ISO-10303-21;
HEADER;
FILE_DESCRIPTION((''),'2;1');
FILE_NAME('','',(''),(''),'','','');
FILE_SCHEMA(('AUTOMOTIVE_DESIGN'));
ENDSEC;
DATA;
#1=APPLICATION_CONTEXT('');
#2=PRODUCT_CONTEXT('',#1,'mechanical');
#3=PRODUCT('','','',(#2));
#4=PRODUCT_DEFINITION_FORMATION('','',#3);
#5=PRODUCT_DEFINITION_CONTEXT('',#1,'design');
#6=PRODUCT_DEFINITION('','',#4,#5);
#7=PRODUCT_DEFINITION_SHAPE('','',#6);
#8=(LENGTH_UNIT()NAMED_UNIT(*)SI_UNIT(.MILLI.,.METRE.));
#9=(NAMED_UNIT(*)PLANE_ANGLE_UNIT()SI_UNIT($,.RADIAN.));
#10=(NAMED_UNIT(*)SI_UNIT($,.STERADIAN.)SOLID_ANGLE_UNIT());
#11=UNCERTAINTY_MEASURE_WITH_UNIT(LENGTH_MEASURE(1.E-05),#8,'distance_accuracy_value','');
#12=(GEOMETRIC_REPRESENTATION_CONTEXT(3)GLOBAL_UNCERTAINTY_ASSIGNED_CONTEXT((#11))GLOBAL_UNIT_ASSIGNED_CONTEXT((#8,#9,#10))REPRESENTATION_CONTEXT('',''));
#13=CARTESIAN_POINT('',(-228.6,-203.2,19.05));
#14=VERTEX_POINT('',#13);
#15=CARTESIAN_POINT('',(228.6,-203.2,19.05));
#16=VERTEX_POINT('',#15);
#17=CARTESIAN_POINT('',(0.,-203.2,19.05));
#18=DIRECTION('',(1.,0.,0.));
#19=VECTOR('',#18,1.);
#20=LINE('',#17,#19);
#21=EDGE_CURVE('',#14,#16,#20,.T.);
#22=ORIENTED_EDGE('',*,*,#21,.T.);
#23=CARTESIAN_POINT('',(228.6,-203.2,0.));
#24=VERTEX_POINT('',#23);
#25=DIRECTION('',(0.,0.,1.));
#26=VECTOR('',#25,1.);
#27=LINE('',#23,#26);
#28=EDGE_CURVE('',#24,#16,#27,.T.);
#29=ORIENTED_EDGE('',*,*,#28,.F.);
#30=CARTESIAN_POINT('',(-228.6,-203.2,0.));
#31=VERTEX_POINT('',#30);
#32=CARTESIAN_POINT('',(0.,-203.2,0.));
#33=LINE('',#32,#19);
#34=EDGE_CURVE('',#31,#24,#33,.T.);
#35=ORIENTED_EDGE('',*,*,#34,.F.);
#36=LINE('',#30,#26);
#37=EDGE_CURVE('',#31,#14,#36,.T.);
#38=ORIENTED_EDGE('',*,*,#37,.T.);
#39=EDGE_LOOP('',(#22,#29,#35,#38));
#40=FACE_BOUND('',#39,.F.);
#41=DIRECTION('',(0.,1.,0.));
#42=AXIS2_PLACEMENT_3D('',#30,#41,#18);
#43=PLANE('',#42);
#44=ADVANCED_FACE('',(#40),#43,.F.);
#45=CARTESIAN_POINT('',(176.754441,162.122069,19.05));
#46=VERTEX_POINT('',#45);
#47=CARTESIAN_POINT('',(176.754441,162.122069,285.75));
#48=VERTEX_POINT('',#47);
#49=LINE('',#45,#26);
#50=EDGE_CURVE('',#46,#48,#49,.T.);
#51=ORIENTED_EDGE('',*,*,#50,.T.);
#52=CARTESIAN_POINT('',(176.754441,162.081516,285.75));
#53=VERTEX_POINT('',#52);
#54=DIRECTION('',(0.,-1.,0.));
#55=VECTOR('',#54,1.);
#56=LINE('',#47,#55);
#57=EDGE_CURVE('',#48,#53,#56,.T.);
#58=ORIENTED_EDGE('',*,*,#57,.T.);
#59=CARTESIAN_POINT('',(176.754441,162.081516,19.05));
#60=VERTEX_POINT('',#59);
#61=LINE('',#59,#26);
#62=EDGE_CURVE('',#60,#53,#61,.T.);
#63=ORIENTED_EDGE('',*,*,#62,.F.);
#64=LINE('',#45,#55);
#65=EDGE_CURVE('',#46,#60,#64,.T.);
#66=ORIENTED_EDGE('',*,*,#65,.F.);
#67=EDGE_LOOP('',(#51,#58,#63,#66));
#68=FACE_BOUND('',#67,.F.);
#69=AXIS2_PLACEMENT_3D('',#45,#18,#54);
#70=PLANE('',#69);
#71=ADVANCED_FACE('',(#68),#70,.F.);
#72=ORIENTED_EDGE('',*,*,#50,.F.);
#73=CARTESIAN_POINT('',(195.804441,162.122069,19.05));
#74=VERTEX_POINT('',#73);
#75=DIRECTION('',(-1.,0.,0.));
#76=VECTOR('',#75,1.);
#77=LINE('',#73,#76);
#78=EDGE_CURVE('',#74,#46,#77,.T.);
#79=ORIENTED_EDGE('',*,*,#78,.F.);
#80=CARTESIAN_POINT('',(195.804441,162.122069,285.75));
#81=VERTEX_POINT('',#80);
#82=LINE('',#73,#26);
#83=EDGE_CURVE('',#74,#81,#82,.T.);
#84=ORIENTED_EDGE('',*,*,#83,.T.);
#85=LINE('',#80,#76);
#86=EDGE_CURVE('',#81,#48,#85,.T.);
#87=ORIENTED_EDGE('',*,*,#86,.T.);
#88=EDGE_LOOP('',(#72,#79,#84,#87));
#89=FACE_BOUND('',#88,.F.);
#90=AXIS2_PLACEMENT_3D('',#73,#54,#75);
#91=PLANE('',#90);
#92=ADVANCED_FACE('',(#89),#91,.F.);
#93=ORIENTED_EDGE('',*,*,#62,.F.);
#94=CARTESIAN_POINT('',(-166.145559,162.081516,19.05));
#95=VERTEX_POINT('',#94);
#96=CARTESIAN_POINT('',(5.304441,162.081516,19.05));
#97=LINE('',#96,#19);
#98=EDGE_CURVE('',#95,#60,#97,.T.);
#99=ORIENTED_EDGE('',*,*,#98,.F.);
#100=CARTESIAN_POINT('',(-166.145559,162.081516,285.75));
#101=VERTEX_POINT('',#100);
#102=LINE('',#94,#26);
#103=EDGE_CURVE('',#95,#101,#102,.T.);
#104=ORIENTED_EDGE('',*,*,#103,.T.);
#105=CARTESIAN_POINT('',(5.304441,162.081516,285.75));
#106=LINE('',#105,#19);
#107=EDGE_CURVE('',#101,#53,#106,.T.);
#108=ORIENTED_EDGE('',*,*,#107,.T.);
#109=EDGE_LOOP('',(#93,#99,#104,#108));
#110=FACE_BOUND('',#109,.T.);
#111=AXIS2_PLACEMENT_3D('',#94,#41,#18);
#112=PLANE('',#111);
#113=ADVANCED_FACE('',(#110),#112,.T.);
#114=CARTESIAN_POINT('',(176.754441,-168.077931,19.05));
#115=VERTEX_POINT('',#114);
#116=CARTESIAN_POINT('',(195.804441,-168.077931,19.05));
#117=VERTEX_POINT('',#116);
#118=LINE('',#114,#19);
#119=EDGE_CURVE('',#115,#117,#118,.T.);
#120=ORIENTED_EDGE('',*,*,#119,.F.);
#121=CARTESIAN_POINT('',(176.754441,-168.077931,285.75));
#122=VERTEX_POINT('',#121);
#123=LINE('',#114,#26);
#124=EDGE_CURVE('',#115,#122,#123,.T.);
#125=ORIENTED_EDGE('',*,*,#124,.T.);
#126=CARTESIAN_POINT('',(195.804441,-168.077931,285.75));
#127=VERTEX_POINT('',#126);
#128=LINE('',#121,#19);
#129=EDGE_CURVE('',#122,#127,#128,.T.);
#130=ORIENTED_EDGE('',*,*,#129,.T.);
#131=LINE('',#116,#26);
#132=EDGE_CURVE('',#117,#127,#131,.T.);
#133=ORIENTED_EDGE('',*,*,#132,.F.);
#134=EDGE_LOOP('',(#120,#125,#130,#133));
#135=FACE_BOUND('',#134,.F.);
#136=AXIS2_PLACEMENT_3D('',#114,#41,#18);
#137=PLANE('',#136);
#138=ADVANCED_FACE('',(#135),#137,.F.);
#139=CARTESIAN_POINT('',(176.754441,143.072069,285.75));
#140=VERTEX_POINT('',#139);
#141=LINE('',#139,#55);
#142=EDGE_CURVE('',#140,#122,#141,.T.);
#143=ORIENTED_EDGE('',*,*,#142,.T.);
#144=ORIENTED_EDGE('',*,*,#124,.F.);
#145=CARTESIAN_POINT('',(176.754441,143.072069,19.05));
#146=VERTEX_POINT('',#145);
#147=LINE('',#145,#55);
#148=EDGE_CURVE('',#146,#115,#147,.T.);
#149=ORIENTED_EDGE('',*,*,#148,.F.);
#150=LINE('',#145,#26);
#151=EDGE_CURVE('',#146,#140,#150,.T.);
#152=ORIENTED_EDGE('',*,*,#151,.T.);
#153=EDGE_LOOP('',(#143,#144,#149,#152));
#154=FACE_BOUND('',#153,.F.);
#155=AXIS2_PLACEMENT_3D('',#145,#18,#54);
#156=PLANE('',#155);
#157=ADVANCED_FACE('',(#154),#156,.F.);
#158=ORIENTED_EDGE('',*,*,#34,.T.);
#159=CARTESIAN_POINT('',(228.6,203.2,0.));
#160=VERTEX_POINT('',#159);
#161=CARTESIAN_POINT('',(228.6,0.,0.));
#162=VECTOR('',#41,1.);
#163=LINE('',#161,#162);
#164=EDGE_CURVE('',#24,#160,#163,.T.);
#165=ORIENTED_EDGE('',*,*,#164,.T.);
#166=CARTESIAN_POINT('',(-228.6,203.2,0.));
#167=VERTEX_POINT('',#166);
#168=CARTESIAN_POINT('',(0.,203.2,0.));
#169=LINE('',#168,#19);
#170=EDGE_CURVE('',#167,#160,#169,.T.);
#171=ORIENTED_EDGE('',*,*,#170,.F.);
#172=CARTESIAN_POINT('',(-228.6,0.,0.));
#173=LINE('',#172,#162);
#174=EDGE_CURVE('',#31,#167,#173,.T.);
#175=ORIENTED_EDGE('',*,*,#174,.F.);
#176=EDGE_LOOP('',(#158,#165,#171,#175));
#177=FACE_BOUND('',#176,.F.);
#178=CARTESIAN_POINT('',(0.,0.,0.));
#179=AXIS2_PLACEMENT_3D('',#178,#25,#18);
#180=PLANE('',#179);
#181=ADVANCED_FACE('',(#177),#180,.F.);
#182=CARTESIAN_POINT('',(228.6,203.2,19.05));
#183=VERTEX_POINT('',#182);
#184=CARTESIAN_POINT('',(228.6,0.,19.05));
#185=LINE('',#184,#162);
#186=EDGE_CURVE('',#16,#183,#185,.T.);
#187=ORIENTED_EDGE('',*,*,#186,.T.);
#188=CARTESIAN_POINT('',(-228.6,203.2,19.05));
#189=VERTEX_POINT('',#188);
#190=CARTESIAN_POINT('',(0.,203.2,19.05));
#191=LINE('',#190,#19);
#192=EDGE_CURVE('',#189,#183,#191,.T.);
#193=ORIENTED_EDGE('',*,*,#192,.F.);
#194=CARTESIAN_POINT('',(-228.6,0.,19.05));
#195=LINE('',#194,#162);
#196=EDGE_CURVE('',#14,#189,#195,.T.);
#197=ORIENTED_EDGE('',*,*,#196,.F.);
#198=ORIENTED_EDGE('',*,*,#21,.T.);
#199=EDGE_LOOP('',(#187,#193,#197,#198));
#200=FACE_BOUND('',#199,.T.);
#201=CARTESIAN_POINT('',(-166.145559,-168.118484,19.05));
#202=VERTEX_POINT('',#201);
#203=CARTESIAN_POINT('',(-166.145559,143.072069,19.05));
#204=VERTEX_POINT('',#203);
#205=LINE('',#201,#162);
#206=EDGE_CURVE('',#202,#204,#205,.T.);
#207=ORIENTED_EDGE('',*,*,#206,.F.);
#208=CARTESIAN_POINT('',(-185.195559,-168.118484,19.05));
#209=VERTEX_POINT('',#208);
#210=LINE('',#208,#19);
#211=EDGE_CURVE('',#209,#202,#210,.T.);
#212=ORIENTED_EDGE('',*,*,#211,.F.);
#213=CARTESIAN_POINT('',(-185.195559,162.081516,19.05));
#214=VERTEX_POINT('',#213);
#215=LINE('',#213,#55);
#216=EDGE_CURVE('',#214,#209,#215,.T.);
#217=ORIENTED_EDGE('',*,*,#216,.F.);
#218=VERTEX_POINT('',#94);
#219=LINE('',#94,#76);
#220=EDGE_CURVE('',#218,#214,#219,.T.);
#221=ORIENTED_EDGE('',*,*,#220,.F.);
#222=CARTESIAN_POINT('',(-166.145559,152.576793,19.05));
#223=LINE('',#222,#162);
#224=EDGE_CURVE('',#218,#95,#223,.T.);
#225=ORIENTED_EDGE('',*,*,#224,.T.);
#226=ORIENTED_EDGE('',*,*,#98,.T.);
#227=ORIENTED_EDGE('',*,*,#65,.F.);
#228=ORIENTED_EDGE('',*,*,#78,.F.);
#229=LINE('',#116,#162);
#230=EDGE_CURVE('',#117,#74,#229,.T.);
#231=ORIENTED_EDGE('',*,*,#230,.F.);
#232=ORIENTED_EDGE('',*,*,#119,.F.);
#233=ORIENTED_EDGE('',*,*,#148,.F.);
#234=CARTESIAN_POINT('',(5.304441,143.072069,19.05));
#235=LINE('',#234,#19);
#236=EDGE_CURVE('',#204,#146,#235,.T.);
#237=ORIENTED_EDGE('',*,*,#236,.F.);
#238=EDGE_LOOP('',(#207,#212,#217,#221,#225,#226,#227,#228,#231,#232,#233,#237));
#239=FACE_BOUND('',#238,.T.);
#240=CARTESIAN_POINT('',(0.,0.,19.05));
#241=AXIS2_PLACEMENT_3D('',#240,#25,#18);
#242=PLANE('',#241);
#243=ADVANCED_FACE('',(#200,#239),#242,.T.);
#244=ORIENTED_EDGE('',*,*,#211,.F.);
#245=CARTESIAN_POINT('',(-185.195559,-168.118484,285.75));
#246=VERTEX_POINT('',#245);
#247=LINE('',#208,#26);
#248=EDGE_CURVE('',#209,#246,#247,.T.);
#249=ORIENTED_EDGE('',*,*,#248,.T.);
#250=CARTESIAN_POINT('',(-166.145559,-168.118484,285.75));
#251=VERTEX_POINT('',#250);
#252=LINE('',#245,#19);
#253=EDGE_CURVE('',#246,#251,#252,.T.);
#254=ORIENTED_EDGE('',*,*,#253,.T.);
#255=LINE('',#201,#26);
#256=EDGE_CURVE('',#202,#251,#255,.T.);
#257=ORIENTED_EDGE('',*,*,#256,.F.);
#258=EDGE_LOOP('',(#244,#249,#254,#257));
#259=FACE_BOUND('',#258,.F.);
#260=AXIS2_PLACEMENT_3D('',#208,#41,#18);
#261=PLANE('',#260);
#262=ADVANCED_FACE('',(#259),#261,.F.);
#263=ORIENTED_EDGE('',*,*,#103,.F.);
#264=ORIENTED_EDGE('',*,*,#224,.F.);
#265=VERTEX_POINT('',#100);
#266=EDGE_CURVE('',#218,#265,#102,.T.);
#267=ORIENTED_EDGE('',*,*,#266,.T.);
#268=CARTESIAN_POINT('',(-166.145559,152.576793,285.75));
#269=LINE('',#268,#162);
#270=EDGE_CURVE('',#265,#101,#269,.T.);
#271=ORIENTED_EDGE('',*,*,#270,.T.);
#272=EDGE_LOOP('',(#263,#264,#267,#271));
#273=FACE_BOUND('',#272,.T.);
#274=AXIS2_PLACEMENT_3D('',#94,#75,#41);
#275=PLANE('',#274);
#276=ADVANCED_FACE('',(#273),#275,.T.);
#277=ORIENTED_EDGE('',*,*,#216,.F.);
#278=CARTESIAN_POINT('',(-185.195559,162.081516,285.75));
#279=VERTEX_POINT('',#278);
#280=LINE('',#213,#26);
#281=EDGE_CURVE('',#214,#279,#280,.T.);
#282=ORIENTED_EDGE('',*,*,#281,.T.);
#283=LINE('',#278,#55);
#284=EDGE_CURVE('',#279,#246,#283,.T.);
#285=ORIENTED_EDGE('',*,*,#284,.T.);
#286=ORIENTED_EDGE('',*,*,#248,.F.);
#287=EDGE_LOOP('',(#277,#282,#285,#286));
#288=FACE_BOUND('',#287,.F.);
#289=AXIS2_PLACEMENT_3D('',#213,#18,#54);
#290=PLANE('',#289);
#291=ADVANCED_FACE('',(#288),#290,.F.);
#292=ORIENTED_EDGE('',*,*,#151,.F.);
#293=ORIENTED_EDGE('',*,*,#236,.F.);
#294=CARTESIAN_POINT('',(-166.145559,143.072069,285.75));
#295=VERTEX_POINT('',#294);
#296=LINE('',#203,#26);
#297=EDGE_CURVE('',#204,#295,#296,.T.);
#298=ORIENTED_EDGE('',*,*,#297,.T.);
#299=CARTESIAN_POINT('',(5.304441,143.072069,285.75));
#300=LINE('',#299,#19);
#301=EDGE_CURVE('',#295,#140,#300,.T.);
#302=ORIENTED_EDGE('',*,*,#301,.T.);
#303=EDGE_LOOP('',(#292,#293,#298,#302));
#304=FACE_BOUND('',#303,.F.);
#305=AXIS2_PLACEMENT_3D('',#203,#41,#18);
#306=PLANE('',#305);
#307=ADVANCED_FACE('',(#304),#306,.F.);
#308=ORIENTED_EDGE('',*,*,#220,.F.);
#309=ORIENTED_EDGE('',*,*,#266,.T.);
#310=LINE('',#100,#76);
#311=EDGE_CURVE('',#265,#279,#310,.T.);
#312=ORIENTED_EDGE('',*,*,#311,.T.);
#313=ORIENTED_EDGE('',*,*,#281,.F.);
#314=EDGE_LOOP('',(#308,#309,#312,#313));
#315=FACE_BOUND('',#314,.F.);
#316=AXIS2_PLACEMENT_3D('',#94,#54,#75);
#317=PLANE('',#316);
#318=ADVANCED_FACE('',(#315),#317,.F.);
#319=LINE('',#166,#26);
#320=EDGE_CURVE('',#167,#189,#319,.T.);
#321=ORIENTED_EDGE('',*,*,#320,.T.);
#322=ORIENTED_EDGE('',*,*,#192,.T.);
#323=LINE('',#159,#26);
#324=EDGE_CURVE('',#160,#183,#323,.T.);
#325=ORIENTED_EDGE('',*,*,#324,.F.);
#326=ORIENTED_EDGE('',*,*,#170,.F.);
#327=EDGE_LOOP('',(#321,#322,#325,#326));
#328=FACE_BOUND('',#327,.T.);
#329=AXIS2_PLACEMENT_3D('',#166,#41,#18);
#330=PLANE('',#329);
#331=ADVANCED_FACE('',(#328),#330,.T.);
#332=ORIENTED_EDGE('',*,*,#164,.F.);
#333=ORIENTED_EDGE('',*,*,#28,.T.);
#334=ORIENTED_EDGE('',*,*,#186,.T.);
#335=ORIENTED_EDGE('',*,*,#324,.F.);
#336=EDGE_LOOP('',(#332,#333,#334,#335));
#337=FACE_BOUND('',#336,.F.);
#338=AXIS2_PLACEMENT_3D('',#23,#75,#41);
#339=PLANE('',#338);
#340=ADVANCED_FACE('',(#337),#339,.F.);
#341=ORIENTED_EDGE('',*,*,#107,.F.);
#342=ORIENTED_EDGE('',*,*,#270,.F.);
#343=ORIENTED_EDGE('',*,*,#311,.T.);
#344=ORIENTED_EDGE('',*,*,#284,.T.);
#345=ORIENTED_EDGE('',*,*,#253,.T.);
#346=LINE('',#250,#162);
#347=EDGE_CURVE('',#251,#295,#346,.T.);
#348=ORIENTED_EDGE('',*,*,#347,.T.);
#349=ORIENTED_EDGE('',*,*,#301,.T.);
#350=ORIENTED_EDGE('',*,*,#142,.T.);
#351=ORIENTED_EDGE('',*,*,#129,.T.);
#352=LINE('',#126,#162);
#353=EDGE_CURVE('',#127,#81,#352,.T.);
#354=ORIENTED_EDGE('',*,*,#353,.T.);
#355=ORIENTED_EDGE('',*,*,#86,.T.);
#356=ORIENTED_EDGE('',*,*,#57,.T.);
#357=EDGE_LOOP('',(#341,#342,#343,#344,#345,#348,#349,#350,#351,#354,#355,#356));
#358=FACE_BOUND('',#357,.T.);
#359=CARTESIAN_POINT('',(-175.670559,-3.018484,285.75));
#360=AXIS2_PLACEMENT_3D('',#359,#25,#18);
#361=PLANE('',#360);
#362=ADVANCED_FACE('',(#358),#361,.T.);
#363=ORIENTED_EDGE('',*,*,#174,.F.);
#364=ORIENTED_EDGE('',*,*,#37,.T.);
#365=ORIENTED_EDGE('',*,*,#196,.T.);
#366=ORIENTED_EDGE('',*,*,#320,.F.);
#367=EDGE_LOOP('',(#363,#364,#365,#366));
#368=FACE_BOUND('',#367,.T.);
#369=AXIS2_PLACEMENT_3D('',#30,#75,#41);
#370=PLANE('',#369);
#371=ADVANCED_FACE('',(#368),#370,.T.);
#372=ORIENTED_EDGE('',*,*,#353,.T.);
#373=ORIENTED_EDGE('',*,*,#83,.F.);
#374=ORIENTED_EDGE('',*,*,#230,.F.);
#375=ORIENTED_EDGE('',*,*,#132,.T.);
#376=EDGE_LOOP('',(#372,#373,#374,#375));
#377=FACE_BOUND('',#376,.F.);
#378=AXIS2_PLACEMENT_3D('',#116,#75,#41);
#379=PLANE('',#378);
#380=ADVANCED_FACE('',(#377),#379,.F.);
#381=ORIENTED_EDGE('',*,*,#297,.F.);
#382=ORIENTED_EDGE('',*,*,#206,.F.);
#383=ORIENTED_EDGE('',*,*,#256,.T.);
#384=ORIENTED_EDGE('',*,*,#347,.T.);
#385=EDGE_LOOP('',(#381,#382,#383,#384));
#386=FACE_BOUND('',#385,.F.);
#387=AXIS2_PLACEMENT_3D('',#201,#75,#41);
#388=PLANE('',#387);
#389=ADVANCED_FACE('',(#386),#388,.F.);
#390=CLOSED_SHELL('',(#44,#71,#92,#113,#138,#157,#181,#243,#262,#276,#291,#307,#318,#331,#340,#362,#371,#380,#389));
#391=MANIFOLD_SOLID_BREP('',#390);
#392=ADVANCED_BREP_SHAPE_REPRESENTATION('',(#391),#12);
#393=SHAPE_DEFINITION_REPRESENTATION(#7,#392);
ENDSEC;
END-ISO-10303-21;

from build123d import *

# Parameters (mm, degrees)
F0_W     = 457.2
F0_H     = 406.4
F1_DEPTH = 19.05
F2_W     = 342.9
F2_H     = 19.009447
F3_DEPTH = 266.7


with BuildPart() as f1:
    # F0 (on Top) → F1 (new body)
    with BuildSketch(Plane.XY):
        Rectangle(F0_W, F0_H)
    extrude(amount=F1_DEPTH)

    # F2 (on face) → F3 (join)
    with BuildSketch(Plane.XY.offset(19.05)):
        Polygon((-185.195559, 162.081516), (-185.195559, -168.118484), (-166.145559, -168.118484), (-166.145559, 143.072069), (-166.145559, 162.081516), align=None)
        with Locations((5.304441, 152.576793)):
            Rectangle(F2_W, F2_H)
        Polygon((176.754441, 162.081516), (176.754441, 143.072069), (176.754441, -168.077931), (195.804441, -168.077931), (195.804441, 162.122069), (176.754441, 162.122069), align=None)
    extrude(amount=F3_DEPTH)


solid = f1.part
